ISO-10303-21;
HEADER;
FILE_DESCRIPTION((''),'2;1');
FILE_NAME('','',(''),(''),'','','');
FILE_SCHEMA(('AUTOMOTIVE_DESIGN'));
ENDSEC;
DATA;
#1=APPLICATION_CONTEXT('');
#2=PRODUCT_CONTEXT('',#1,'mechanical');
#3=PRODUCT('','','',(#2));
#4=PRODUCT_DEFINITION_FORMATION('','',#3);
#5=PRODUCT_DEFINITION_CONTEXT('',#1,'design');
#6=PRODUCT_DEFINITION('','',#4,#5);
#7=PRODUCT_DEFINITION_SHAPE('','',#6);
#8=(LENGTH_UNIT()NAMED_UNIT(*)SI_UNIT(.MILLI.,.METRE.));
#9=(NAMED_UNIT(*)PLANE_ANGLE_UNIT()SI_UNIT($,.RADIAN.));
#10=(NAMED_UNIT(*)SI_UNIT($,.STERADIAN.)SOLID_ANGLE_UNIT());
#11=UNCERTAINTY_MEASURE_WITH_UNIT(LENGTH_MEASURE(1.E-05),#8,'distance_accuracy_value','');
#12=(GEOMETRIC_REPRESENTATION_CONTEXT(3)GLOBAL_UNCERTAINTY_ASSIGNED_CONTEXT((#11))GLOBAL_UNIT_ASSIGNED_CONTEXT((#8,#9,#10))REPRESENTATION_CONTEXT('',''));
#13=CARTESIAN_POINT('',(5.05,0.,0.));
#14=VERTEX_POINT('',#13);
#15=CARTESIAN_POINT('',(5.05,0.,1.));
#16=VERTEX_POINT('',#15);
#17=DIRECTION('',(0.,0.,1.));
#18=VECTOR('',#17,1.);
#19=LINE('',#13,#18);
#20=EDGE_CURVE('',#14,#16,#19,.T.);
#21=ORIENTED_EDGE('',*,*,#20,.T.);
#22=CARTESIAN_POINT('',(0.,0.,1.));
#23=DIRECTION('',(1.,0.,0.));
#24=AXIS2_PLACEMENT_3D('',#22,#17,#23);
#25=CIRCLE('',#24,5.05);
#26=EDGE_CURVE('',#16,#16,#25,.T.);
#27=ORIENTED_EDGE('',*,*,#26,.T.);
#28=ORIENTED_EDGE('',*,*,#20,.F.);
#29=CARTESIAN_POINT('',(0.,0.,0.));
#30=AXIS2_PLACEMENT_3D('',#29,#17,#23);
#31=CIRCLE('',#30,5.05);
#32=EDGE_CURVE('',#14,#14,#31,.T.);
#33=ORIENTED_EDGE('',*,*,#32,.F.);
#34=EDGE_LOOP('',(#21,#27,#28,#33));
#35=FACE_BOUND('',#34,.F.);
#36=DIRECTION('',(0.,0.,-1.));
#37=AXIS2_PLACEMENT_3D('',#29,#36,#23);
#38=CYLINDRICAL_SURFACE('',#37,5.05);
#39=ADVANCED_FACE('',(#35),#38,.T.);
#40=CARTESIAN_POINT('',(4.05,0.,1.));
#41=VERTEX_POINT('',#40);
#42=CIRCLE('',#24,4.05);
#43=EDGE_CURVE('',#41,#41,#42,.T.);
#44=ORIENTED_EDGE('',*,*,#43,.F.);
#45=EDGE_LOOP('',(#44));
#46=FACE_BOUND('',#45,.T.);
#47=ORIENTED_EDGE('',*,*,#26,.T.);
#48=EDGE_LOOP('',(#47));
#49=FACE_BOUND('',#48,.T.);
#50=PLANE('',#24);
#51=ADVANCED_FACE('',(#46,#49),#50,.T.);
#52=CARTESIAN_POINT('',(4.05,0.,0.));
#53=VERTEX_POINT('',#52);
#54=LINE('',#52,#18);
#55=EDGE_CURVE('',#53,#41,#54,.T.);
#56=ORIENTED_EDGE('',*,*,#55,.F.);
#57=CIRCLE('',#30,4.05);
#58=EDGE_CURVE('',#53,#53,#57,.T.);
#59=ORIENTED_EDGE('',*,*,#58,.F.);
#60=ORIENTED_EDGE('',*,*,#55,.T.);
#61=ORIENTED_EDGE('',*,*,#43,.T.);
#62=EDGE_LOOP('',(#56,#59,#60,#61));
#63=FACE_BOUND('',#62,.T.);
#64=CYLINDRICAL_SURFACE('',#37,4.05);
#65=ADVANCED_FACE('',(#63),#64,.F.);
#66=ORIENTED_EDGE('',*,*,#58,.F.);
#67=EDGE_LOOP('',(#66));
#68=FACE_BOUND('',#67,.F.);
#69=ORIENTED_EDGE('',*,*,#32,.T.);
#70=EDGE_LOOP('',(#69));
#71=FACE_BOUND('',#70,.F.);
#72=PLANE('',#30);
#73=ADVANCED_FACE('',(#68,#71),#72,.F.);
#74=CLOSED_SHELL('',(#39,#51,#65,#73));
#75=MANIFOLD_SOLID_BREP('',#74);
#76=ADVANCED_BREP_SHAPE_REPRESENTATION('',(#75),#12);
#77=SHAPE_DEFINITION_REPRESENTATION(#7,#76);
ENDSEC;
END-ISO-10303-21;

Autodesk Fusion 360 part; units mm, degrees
sketch "Sketch1" plane through (0, 0, 0) normal (0, 0, 1) x (1, 0, 0)
  circle A0 centre (0, 0) radius 4.05
  circle A1 centre (0, 0) radius 5.05
  dimension "d1" = 8.1
  dimension "d2" = 1
extrude "Extrude1" add sketch "Sketch1" along normal blind 1
